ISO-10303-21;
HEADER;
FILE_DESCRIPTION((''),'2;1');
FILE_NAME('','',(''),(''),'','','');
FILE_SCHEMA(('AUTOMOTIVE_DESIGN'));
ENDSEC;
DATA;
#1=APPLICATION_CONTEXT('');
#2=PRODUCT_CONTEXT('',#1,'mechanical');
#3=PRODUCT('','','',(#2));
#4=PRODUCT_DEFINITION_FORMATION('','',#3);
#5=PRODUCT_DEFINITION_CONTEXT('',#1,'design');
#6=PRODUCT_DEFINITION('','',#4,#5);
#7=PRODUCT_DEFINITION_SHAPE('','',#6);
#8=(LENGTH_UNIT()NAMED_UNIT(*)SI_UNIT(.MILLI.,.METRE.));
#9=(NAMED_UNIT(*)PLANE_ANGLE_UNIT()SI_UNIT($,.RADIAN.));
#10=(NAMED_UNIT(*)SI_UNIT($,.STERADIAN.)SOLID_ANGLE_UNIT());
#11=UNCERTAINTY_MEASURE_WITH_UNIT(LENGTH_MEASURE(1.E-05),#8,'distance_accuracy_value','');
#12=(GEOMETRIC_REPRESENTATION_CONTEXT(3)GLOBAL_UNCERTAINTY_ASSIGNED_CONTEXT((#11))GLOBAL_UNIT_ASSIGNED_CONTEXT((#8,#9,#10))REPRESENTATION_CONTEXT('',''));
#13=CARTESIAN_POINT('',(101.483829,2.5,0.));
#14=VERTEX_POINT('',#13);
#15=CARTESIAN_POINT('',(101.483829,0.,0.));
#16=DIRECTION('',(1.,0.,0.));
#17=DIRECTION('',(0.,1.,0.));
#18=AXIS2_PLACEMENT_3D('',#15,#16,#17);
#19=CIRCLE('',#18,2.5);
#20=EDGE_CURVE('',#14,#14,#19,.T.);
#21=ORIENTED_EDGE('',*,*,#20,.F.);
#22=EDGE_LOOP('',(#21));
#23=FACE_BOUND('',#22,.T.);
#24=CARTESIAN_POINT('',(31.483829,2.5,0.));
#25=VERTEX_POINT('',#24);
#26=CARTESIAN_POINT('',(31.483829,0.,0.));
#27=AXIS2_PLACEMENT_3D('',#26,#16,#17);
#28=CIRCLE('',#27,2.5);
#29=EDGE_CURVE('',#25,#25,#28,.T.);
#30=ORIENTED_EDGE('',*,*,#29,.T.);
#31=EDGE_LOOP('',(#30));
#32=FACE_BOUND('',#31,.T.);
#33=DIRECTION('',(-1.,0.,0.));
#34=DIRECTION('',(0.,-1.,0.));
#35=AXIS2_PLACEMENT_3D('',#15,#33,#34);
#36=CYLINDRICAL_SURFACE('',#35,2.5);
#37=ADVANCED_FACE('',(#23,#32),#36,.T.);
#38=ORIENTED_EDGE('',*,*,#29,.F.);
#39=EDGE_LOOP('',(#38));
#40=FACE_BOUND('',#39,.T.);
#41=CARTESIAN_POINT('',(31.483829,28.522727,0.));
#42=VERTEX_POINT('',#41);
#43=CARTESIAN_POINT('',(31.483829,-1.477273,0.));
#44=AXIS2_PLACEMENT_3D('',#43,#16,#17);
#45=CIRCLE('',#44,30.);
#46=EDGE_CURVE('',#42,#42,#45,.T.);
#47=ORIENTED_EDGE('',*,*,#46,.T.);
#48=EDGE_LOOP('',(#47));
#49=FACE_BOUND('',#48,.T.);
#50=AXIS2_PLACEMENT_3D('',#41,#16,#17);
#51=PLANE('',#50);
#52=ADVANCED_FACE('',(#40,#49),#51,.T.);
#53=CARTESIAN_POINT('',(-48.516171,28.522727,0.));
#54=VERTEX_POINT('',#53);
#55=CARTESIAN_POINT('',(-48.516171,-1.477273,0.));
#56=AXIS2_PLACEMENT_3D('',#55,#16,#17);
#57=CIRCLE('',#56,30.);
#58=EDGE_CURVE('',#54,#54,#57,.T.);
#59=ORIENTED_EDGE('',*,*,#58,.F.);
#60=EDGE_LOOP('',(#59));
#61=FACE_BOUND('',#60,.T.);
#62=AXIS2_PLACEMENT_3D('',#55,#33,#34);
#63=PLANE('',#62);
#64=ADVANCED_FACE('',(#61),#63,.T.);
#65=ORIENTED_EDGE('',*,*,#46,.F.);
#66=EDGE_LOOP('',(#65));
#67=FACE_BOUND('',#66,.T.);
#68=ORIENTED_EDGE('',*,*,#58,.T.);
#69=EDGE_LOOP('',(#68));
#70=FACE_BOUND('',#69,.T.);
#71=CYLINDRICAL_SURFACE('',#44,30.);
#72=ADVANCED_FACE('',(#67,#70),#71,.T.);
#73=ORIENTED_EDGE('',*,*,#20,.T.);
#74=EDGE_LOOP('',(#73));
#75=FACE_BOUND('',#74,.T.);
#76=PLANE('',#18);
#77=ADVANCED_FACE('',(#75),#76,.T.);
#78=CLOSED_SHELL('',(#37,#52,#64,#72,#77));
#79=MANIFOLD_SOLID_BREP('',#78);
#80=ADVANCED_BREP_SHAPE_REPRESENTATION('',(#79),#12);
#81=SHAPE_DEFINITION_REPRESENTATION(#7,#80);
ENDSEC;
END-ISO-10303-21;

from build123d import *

# Parameters (mm, degrees)
SKETCH2_W           = 80
SKETCH2_H           = 30
SKETCH3_R           = 2.5
BOSS_EXTRUDE1_DEPTH = 70


with BuildPart() as part:
    # Sketch2 → Revolve1 (revolve)
    with BuildSketch(Plane.XY):
        with Locations((-8.516171329, 13.522727273)):
            Rectangle(SKETCH2_W, SKETCH2_H)
    revolve(axis=Axis((31.483828671, -1.477272727, 0), (-1, 0, 0)))

    # Sketch3 → Boss-Extrude1 (add)
    with BuildSketch(Plane(origin=(31.483828671, 0, 0), x_dir=(0, 0, -1), z_dir=(1, 0, 0))):
        with Locations(Location((0, 0, 0), (0, 0, 90))):
            Circle(SKETCH3_R)
    extrude(amount=BOSS_EXTRUDE1_DEPTH)


solid = part.part
